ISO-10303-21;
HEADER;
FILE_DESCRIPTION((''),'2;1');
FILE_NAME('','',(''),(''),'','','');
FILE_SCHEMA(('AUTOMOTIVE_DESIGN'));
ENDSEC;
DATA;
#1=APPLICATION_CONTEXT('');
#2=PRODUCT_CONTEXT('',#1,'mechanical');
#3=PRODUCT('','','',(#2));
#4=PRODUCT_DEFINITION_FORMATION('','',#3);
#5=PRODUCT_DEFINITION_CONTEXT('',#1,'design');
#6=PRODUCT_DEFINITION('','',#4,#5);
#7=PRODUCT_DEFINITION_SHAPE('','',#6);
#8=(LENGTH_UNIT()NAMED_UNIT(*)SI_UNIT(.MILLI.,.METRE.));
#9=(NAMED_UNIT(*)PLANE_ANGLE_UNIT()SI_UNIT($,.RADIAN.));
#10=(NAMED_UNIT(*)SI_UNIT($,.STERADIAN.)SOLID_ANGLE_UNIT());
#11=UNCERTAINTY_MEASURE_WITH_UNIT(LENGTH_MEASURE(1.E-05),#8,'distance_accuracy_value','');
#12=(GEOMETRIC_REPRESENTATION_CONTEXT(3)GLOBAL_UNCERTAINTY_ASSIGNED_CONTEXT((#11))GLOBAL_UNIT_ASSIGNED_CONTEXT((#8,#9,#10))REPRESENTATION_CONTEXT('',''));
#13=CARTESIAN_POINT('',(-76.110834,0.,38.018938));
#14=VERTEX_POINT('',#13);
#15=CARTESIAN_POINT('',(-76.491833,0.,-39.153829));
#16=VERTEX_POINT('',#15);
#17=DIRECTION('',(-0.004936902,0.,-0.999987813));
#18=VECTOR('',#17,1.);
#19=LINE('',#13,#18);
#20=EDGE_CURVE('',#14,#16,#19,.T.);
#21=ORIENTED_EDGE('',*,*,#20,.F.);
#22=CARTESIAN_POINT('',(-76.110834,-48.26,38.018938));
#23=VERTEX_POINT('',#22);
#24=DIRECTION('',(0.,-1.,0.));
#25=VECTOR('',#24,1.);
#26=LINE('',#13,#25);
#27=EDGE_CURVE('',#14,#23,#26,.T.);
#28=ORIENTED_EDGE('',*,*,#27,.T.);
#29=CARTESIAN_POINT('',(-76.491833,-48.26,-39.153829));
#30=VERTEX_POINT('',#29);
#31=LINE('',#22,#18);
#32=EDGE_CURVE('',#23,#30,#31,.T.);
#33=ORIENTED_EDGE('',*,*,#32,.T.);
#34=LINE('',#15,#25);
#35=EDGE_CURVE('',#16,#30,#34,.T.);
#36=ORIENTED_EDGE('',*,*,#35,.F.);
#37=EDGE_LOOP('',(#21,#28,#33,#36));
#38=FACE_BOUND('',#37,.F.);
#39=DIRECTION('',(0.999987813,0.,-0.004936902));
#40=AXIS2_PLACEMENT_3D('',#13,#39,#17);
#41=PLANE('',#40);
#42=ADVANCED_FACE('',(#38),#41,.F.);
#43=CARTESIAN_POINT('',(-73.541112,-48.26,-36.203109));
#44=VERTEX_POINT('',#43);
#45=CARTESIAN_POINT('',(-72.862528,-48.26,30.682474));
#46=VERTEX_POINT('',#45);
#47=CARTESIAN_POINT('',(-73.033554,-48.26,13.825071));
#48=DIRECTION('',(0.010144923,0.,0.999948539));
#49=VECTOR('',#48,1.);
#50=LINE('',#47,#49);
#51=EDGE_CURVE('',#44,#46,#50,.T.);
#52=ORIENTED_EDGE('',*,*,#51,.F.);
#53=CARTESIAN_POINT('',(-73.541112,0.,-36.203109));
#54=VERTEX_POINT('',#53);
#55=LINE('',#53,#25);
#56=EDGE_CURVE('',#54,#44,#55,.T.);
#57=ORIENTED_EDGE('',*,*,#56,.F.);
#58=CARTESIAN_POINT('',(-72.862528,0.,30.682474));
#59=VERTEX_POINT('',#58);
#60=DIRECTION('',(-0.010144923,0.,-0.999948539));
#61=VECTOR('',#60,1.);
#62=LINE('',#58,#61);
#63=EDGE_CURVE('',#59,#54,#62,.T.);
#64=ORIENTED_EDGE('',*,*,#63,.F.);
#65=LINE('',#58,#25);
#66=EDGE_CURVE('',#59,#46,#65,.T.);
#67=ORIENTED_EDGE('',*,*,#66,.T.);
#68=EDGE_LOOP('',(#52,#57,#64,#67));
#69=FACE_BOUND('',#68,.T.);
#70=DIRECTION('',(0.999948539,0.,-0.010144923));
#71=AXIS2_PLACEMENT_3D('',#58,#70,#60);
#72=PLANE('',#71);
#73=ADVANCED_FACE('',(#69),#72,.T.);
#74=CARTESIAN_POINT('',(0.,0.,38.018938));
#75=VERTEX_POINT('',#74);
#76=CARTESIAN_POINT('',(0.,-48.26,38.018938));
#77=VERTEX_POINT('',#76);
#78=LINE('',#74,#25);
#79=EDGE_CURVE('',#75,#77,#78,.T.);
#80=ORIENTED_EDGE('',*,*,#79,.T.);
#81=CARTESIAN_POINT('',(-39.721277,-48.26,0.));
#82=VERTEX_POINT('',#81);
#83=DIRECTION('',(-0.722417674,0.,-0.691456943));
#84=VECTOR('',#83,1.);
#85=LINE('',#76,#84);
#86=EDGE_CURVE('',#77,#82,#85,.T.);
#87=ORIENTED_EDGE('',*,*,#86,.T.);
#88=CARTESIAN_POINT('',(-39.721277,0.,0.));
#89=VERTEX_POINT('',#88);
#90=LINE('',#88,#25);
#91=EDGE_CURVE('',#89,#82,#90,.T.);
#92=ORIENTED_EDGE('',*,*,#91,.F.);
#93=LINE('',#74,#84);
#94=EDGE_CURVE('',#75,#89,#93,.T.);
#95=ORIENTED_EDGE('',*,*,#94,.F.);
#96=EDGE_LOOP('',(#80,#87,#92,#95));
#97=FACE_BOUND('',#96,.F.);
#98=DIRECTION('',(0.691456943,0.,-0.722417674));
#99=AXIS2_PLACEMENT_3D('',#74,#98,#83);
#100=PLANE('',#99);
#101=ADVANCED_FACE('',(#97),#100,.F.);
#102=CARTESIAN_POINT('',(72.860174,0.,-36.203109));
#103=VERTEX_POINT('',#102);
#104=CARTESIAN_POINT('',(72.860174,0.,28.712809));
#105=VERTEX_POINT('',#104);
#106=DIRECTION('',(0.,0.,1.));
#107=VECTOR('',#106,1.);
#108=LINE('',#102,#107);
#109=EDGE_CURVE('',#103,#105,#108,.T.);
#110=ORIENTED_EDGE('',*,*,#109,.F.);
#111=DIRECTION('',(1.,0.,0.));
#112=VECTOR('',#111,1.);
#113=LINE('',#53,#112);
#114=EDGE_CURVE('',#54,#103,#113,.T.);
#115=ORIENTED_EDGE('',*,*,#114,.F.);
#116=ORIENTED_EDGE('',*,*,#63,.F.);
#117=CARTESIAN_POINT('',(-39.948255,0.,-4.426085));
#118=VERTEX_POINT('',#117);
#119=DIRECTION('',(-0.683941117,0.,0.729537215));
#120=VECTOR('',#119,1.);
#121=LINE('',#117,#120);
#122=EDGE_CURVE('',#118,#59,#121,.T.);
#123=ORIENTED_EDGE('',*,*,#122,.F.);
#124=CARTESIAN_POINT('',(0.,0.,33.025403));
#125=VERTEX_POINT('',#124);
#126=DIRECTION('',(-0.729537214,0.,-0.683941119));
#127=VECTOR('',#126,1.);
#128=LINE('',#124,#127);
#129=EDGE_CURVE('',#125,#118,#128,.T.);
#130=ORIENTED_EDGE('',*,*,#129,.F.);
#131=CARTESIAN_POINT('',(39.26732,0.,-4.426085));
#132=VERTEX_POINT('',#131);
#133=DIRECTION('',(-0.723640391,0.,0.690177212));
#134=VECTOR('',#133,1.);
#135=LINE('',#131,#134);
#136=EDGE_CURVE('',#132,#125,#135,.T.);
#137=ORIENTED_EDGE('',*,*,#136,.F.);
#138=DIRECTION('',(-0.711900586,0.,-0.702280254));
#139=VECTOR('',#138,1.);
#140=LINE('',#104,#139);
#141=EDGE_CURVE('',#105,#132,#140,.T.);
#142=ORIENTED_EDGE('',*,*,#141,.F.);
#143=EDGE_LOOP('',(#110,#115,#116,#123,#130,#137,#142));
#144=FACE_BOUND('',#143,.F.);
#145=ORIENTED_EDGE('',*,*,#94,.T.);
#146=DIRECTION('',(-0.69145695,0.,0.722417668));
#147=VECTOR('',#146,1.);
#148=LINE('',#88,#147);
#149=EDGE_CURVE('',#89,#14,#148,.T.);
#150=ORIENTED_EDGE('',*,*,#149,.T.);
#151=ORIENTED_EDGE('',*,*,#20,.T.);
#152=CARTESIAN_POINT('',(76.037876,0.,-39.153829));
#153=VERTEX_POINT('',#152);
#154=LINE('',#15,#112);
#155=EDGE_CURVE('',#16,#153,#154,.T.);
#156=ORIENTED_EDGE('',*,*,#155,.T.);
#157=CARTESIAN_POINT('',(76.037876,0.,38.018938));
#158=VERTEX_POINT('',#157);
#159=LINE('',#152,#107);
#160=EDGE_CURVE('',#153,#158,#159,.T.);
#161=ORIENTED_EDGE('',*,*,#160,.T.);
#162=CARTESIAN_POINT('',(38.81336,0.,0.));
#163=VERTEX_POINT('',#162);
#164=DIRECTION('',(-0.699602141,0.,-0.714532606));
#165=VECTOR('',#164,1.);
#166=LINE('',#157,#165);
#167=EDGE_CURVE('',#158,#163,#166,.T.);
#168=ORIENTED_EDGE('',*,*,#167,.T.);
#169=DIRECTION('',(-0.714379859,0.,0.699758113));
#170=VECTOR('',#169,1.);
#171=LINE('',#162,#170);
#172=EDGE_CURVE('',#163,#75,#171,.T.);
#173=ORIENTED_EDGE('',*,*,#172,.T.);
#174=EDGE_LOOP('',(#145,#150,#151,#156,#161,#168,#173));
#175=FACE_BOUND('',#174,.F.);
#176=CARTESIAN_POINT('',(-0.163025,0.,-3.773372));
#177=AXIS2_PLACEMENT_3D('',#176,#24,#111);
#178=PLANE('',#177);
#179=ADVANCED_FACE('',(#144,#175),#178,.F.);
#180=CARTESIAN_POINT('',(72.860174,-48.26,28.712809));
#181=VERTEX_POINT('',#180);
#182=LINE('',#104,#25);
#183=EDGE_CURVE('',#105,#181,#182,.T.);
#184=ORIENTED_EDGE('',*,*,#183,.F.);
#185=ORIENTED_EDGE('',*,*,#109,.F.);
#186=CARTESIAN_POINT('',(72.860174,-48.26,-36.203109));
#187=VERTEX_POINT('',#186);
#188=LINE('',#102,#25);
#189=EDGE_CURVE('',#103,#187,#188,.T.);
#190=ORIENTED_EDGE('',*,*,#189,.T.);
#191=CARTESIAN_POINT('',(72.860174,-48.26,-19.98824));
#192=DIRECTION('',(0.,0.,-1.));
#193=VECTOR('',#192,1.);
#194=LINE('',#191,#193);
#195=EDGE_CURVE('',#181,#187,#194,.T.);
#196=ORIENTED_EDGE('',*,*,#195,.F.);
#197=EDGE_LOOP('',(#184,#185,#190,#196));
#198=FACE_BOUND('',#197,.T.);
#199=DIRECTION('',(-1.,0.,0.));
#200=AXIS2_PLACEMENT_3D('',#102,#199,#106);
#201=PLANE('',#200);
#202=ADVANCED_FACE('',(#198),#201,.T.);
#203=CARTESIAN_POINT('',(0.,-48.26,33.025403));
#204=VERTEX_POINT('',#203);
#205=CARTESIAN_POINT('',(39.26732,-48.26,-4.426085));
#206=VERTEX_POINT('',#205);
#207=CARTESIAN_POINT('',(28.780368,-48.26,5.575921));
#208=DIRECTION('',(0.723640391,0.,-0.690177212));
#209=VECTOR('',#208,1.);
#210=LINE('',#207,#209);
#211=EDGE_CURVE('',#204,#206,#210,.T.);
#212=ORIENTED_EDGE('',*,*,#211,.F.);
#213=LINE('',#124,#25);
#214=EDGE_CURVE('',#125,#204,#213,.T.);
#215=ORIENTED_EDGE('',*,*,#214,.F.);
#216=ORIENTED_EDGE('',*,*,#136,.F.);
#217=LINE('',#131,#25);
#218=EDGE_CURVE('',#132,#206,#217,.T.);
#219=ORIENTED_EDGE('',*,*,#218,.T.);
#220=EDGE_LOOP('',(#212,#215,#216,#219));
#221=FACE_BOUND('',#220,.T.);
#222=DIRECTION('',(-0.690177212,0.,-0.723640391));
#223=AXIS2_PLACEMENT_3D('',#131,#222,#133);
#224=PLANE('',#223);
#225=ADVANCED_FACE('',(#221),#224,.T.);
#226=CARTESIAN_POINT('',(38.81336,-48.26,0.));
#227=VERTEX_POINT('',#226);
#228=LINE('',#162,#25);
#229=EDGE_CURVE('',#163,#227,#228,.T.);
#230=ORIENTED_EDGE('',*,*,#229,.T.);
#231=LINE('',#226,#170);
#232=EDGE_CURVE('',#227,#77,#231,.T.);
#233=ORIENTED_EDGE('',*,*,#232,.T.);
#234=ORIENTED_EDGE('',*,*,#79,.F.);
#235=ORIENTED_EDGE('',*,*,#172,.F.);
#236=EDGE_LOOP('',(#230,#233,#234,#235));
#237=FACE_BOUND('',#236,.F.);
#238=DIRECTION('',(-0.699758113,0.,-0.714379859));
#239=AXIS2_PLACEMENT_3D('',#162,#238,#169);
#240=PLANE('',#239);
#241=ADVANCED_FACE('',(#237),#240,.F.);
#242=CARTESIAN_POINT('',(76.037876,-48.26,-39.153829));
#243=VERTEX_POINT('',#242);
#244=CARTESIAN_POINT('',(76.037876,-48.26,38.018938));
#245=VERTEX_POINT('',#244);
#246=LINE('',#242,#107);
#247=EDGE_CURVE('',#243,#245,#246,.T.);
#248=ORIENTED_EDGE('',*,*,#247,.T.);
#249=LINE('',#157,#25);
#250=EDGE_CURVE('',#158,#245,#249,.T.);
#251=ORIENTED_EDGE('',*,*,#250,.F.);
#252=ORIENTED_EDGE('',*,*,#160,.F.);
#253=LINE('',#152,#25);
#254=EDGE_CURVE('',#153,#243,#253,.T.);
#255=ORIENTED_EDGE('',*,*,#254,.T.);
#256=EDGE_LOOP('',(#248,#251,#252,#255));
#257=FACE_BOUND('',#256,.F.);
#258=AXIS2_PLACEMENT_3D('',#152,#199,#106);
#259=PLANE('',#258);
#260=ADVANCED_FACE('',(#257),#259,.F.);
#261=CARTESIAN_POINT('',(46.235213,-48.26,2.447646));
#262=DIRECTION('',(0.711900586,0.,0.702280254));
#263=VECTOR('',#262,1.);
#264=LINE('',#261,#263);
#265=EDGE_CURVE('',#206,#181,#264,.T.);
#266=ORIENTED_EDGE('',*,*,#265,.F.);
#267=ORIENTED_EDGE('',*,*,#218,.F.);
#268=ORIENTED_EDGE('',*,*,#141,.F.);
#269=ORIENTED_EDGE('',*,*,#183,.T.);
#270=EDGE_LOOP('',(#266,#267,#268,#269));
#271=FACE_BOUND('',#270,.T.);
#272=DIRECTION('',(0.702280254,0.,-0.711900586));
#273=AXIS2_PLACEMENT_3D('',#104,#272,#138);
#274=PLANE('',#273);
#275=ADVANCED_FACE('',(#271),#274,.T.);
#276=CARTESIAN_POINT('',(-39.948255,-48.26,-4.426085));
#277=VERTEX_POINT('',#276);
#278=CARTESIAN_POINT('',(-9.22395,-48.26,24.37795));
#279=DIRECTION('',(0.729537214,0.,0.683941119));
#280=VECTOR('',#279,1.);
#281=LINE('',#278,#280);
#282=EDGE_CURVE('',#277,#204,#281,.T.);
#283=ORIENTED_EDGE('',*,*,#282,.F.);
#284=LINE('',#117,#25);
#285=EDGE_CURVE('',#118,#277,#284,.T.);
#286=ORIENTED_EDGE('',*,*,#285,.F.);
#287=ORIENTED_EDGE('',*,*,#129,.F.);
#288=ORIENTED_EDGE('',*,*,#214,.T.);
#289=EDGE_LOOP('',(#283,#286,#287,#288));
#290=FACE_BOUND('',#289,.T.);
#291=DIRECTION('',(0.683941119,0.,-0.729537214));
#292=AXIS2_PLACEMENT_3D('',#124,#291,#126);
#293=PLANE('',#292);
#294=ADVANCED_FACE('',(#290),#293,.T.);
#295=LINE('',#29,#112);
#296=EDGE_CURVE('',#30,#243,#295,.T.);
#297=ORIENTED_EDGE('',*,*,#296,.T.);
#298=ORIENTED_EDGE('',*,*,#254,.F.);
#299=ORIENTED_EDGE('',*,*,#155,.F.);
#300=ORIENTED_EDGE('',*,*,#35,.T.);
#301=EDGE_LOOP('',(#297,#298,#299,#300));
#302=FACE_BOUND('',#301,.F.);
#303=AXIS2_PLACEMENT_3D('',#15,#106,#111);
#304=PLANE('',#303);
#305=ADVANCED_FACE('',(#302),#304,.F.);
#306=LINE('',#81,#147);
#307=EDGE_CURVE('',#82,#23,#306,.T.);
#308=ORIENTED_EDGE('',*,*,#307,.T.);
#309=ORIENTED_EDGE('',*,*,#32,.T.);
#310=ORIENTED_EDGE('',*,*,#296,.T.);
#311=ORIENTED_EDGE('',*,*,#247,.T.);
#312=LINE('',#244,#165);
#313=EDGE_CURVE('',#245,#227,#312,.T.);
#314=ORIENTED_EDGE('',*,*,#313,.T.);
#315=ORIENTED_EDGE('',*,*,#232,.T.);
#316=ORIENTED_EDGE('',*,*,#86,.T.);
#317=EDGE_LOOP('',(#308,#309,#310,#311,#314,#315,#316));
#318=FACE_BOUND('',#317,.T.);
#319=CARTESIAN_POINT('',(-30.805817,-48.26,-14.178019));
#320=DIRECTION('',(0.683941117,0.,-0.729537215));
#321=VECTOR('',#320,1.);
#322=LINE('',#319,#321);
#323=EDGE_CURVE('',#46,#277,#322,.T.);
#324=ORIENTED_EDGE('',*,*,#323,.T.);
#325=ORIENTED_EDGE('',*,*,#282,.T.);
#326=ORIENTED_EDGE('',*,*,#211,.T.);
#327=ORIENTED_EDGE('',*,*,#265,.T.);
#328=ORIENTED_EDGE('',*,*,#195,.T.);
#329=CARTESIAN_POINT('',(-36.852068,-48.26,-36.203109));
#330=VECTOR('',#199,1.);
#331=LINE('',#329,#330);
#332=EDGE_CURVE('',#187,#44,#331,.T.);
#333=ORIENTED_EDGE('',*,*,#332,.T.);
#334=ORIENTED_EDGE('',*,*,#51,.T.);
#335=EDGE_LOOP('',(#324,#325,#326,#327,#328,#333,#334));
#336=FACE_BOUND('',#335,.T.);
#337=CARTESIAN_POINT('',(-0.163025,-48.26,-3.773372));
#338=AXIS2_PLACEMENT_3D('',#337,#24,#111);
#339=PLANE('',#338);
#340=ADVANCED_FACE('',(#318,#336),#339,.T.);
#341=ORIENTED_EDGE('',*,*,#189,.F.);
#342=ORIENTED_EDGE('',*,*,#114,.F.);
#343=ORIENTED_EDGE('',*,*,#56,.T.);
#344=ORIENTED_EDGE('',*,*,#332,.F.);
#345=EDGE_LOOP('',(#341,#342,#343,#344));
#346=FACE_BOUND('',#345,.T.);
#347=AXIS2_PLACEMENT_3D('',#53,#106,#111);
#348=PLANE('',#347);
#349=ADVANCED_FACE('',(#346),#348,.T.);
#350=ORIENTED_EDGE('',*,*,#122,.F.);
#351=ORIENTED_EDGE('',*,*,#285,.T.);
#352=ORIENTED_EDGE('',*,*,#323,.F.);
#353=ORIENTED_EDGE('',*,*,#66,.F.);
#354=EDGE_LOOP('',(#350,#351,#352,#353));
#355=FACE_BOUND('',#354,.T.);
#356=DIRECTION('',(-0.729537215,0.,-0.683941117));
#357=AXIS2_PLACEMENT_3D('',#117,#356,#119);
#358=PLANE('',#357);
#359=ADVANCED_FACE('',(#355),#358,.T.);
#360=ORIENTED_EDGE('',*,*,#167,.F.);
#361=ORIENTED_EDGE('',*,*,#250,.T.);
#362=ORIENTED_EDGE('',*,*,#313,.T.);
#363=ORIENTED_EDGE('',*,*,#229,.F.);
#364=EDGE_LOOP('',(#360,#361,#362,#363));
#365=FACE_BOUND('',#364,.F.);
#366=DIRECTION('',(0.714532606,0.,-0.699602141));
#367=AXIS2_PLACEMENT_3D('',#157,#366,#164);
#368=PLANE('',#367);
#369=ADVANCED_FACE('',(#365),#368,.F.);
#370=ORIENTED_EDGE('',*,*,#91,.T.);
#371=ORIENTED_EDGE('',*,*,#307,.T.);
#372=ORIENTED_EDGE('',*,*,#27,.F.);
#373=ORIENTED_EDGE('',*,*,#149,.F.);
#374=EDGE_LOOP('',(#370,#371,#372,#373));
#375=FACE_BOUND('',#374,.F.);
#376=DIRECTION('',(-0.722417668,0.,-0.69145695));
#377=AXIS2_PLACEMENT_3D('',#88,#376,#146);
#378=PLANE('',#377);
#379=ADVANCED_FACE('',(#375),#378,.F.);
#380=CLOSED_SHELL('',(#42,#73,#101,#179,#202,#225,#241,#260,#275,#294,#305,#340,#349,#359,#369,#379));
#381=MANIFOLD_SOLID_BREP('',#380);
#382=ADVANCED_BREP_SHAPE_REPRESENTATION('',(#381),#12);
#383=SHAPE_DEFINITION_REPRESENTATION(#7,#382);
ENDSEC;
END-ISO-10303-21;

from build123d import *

# Parameters (mm, degrees)
F2_DEPTH = 48.26
F3_DEPTH = 108.966


with BuildPart() as f2:
    # F0 (on Front) → F2 (new body)
    with BuildSketch(Plane.XZ):
        Polygon((-76.110834, 38.018938), (-76.491833, -39.153829), (76.037876, -39.153829), (76.037876, 38.018938), (38.81336, 0), (0, 38.018938), (-39.721277, 0), align=None)
    extrude(amount=F2_DEPTH)

    # F1 (on Front) → F3 (cut)
    with BuildSketch(Plane.XZ):
        Polygon((-72.862528, 30.682474), (-73.541112, -36.203109), (72.860174, -36.203109), (72.860174, 28.712809), (39.26732, -4.426085), (0, 33.025403), (-39.948255, -4.426085), align=None)
    extrude(amount=F3_DEPTH, mode=Mode.SUBTRACT)


solid = f2.part
